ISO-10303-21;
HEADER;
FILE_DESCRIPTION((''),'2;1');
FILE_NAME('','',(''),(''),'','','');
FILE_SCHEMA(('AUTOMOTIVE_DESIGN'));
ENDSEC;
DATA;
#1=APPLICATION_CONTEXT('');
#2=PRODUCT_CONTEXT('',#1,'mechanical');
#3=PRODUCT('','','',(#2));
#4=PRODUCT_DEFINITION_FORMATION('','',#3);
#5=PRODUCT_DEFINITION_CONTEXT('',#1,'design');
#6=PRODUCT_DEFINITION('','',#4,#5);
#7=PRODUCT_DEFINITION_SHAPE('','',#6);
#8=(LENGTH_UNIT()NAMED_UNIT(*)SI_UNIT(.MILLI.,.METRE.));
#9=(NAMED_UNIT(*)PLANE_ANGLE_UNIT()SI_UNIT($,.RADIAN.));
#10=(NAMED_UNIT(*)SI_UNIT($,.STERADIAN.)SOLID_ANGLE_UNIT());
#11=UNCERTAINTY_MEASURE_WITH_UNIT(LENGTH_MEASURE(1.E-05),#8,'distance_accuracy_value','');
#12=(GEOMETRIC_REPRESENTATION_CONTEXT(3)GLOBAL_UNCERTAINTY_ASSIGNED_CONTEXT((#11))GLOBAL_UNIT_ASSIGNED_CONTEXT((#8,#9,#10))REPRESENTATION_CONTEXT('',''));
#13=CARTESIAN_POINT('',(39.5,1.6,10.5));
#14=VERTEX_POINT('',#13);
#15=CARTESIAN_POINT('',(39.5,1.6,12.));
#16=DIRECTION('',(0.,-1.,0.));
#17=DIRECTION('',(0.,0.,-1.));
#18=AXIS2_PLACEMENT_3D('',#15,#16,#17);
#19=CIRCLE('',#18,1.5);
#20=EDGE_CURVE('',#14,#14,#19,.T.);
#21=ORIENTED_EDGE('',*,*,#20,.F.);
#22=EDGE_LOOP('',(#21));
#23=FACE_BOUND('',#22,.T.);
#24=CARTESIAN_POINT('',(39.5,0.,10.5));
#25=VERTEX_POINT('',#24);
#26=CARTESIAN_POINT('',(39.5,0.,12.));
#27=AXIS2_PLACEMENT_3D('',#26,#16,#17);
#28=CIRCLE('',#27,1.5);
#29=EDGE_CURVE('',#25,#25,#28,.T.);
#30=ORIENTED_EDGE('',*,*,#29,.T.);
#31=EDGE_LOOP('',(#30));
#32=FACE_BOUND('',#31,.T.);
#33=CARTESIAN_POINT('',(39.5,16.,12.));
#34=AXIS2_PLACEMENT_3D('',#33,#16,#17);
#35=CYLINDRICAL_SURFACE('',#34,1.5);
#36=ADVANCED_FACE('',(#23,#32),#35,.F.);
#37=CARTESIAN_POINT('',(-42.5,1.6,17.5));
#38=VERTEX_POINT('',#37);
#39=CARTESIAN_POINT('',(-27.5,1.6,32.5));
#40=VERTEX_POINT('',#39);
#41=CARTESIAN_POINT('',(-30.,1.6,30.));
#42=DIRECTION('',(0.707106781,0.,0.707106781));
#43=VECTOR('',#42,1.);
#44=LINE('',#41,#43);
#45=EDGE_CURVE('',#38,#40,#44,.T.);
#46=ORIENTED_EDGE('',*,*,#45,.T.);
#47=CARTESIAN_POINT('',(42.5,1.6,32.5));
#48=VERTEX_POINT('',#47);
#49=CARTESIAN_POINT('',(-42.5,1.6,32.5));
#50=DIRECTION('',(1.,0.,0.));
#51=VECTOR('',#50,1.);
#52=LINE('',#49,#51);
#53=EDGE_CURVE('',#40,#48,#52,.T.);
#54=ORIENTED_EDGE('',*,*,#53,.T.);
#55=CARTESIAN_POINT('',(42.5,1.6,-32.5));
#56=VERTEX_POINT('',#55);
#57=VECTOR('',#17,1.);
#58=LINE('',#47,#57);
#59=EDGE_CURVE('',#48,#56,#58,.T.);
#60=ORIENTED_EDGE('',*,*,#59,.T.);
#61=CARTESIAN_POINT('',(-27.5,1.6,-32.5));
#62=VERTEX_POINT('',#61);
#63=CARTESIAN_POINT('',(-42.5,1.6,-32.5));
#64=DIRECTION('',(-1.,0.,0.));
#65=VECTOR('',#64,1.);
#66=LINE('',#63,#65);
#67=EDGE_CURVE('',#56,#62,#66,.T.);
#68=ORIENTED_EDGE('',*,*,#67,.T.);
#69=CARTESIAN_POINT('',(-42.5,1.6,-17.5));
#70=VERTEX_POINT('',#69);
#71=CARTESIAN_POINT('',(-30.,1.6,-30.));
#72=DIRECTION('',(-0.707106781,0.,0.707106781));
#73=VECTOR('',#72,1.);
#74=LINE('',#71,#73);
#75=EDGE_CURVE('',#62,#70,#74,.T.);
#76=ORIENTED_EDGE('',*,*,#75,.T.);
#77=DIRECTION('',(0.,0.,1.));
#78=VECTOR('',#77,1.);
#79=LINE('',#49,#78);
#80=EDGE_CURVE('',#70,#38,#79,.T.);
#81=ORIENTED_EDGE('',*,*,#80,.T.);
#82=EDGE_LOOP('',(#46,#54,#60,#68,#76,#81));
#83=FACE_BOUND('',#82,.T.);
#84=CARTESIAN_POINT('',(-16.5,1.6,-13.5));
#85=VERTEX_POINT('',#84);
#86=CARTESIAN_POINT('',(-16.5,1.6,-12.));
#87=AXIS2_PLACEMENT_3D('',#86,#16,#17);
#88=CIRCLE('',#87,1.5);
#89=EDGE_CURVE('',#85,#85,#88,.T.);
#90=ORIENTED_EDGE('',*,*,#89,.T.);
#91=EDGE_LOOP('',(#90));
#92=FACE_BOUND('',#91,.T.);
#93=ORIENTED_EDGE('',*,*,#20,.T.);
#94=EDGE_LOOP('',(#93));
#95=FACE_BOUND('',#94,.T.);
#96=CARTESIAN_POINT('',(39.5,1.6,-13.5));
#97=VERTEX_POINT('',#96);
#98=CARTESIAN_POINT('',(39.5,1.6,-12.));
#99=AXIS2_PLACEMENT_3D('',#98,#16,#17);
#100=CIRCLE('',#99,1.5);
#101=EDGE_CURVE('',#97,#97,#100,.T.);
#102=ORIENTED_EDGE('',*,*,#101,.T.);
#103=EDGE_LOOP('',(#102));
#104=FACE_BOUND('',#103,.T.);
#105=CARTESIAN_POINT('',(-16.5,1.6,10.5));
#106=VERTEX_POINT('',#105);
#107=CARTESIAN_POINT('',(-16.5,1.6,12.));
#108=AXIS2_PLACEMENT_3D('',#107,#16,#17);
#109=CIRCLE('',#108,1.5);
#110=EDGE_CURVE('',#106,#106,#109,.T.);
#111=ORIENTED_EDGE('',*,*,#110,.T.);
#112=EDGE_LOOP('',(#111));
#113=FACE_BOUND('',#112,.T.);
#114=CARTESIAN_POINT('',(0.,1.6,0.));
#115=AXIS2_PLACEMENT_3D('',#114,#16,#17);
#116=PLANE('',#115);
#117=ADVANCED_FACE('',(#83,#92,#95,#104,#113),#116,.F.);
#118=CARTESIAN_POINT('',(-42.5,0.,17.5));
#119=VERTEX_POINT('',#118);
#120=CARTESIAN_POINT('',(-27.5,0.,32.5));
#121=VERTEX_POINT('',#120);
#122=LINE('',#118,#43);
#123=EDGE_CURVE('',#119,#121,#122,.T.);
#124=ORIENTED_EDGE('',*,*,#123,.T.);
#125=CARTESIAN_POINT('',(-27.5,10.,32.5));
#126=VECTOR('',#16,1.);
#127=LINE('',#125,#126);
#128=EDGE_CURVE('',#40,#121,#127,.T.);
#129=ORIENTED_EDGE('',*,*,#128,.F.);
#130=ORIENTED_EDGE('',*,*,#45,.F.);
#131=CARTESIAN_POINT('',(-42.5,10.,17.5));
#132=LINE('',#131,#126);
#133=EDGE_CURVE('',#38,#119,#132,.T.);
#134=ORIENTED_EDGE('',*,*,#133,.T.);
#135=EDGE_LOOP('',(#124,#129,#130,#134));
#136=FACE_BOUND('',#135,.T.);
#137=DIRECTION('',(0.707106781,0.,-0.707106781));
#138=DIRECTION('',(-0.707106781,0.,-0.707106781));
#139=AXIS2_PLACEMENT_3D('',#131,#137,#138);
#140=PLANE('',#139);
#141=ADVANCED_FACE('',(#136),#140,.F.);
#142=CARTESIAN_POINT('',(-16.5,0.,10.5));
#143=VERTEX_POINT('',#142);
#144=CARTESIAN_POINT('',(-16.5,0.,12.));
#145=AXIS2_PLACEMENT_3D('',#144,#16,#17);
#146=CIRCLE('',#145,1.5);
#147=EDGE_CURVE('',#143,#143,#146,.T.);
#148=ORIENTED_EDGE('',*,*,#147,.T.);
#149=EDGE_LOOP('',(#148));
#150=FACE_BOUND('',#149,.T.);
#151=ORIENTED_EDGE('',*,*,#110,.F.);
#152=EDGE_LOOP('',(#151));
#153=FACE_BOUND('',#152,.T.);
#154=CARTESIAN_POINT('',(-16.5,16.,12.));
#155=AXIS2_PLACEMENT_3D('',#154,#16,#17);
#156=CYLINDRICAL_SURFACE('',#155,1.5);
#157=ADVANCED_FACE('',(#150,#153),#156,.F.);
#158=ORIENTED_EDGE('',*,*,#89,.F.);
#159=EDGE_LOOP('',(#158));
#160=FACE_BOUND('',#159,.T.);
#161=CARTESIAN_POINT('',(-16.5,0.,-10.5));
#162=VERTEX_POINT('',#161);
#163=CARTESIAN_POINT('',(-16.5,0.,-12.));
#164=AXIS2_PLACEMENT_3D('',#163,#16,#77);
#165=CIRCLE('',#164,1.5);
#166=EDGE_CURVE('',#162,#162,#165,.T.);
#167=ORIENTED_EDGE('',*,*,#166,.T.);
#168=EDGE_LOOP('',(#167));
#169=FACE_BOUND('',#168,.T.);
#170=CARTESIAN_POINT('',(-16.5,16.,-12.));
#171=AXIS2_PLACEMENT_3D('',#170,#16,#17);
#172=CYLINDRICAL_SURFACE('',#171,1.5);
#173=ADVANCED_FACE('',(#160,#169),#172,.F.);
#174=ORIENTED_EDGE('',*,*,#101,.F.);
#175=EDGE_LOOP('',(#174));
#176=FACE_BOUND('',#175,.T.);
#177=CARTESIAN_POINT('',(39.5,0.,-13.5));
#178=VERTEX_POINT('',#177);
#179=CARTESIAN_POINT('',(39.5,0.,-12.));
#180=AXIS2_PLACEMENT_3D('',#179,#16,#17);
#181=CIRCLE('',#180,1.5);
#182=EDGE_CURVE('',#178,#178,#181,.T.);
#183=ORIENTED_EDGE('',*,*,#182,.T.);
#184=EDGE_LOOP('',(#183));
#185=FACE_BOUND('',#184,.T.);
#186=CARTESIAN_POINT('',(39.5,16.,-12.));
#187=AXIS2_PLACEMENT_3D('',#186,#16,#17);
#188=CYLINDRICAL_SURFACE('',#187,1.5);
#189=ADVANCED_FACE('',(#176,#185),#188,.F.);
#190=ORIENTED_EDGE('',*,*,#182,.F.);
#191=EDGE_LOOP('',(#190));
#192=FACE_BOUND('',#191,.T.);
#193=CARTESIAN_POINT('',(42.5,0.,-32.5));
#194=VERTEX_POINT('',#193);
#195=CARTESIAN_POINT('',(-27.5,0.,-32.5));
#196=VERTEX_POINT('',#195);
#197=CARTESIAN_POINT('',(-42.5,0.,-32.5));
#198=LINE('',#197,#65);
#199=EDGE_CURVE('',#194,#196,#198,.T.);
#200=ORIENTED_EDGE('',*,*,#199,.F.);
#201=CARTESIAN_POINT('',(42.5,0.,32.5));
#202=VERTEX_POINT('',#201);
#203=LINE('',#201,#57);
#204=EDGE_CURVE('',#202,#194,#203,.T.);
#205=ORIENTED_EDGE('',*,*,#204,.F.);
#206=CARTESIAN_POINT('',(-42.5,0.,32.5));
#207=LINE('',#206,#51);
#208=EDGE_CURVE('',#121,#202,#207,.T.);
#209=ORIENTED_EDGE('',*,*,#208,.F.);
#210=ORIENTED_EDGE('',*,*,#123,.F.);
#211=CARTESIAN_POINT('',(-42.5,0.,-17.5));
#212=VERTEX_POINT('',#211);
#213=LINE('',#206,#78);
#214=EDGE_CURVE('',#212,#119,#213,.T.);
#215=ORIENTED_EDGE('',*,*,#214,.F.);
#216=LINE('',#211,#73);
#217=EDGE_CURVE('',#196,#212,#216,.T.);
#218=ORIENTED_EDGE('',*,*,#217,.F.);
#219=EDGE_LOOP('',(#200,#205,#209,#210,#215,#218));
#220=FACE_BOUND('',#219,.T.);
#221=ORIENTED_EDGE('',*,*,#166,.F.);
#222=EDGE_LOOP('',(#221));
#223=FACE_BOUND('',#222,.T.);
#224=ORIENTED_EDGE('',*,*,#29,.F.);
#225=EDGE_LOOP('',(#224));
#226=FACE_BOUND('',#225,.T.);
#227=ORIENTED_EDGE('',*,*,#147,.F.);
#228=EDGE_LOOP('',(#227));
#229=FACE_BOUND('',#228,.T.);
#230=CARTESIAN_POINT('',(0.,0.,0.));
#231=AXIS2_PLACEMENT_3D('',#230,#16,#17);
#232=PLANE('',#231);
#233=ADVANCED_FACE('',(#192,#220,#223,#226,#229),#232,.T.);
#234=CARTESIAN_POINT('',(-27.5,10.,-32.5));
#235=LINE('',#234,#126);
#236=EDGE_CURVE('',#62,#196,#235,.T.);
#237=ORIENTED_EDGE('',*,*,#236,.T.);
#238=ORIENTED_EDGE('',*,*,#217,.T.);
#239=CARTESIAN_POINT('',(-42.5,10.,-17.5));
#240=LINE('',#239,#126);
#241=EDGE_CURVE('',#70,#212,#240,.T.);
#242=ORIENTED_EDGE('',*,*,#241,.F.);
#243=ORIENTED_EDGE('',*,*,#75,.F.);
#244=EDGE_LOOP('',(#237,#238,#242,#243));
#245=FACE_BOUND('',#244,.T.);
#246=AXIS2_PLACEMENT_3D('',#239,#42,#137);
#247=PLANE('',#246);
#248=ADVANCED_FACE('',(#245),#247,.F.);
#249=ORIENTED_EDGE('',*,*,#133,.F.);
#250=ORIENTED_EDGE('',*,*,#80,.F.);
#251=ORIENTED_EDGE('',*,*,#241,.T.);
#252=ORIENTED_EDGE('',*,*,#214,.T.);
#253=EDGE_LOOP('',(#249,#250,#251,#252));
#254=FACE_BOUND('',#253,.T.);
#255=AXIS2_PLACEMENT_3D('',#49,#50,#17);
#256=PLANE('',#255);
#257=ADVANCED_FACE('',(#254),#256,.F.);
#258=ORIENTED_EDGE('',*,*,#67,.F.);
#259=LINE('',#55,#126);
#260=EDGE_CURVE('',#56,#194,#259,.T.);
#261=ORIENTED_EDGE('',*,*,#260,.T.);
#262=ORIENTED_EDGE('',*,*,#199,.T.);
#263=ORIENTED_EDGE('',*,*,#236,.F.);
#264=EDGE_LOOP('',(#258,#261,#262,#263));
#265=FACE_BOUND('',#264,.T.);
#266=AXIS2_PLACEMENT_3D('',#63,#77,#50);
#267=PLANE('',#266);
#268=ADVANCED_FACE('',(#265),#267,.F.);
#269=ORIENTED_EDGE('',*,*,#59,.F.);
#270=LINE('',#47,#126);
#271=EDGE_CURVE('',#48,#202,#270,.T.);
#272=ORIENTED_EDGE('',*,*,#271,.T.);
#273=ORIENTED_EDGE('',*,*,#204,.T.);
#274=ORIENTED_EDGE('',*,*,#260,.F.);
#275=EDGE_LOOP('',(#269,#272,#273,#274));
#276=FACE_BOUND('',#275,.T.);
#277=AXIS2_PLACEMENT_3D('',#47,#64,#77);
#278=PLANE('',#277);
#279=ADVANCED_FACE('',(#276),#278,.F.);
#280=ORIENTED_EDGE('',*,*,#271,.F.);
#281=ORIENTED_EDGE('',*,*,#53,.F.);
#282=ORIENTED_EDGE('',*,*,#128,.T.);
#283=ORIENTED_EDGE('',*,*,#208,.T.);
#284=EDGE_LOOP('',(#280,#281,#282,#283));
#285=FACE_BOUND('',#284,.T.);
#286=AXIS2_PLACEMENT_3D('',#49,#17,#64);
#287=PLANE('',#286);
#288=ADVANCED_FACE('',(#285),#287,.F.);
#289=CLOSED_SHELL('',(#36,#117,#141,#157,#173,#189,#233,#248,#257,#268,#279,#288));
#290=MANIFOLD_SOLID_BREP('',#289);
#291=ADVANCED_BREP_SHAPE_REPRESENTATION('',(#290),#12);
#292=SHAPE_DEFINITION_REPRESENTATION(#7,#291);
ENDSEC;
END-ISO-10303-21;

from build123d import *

# Parameters (mm, degrees)
SKETCH1_W           = 85
SKETCH1_H           = 65
BOSS_EXTRUDE1_DEPTH = 1.6
CUT_EXTRUDE1_DEPTH  = 10
SKETCH4_R           = 1.5
CUT_EXTRUDE2_DEPTH  = 16


with BuildPart() as part:
    # Sketch1 → Boss-Extrude1 (new body)
    with BuildSketch(Plane(origin=(0, 0, 0), x_dir=(1, 0, 0), z_dir=(0, 1, 0))):
        Rectangle(SKETCH1_W, SKETCH1_H)
    extrude(amount=BOSS_EXTRUDE1_DEPTH)

    # Sketch3 → Cut-Extrude1 (cut)
    with BuildSketch(Plane(origin=(0, 0, 0), x_dir=(-1, 0, 0), z_dir=(0, -1, 0))):
        Polygon((42.5, 32.5), (42.5, 17.5), (27.5, 32.5), align=None)
        Polygon((27.5, -32.5), (42.5, -32.5), (42.5, -17.5), align=None)
    extrude(amount=-CUT_EXTRUDE1_DEPTH, mode=Mode.SUBTRACT)

    # Sketch4 → Cut-Extrude2 (cut)
    with BuildSketch(Plane(origin=(0, 0, 0), x_dir=(-1, 0, 0), z_dir=(0, -1, 0))):
        with Locations(Location((16.5, -12, 0), (0, 0, 90))):
            Circle(SKETCH4_R)
        with Locations(Location((16.5, 12, 0), (0, 0, 90))):
            Circle(SKETCH4_R)
        with Locations(Location((-39.5, -12, 0), (0, 0, 90))):
            Circle(SKETCH4_R)
        with Locations(Location((-39.5, 12, 0), (0, 0, 90))):
            Circle(SKETCH4_R)
    extrude(amount=-CUT_EXTRUDE2_DEPTH, mode=Mode.SUBTRACT)


solid = part.part
